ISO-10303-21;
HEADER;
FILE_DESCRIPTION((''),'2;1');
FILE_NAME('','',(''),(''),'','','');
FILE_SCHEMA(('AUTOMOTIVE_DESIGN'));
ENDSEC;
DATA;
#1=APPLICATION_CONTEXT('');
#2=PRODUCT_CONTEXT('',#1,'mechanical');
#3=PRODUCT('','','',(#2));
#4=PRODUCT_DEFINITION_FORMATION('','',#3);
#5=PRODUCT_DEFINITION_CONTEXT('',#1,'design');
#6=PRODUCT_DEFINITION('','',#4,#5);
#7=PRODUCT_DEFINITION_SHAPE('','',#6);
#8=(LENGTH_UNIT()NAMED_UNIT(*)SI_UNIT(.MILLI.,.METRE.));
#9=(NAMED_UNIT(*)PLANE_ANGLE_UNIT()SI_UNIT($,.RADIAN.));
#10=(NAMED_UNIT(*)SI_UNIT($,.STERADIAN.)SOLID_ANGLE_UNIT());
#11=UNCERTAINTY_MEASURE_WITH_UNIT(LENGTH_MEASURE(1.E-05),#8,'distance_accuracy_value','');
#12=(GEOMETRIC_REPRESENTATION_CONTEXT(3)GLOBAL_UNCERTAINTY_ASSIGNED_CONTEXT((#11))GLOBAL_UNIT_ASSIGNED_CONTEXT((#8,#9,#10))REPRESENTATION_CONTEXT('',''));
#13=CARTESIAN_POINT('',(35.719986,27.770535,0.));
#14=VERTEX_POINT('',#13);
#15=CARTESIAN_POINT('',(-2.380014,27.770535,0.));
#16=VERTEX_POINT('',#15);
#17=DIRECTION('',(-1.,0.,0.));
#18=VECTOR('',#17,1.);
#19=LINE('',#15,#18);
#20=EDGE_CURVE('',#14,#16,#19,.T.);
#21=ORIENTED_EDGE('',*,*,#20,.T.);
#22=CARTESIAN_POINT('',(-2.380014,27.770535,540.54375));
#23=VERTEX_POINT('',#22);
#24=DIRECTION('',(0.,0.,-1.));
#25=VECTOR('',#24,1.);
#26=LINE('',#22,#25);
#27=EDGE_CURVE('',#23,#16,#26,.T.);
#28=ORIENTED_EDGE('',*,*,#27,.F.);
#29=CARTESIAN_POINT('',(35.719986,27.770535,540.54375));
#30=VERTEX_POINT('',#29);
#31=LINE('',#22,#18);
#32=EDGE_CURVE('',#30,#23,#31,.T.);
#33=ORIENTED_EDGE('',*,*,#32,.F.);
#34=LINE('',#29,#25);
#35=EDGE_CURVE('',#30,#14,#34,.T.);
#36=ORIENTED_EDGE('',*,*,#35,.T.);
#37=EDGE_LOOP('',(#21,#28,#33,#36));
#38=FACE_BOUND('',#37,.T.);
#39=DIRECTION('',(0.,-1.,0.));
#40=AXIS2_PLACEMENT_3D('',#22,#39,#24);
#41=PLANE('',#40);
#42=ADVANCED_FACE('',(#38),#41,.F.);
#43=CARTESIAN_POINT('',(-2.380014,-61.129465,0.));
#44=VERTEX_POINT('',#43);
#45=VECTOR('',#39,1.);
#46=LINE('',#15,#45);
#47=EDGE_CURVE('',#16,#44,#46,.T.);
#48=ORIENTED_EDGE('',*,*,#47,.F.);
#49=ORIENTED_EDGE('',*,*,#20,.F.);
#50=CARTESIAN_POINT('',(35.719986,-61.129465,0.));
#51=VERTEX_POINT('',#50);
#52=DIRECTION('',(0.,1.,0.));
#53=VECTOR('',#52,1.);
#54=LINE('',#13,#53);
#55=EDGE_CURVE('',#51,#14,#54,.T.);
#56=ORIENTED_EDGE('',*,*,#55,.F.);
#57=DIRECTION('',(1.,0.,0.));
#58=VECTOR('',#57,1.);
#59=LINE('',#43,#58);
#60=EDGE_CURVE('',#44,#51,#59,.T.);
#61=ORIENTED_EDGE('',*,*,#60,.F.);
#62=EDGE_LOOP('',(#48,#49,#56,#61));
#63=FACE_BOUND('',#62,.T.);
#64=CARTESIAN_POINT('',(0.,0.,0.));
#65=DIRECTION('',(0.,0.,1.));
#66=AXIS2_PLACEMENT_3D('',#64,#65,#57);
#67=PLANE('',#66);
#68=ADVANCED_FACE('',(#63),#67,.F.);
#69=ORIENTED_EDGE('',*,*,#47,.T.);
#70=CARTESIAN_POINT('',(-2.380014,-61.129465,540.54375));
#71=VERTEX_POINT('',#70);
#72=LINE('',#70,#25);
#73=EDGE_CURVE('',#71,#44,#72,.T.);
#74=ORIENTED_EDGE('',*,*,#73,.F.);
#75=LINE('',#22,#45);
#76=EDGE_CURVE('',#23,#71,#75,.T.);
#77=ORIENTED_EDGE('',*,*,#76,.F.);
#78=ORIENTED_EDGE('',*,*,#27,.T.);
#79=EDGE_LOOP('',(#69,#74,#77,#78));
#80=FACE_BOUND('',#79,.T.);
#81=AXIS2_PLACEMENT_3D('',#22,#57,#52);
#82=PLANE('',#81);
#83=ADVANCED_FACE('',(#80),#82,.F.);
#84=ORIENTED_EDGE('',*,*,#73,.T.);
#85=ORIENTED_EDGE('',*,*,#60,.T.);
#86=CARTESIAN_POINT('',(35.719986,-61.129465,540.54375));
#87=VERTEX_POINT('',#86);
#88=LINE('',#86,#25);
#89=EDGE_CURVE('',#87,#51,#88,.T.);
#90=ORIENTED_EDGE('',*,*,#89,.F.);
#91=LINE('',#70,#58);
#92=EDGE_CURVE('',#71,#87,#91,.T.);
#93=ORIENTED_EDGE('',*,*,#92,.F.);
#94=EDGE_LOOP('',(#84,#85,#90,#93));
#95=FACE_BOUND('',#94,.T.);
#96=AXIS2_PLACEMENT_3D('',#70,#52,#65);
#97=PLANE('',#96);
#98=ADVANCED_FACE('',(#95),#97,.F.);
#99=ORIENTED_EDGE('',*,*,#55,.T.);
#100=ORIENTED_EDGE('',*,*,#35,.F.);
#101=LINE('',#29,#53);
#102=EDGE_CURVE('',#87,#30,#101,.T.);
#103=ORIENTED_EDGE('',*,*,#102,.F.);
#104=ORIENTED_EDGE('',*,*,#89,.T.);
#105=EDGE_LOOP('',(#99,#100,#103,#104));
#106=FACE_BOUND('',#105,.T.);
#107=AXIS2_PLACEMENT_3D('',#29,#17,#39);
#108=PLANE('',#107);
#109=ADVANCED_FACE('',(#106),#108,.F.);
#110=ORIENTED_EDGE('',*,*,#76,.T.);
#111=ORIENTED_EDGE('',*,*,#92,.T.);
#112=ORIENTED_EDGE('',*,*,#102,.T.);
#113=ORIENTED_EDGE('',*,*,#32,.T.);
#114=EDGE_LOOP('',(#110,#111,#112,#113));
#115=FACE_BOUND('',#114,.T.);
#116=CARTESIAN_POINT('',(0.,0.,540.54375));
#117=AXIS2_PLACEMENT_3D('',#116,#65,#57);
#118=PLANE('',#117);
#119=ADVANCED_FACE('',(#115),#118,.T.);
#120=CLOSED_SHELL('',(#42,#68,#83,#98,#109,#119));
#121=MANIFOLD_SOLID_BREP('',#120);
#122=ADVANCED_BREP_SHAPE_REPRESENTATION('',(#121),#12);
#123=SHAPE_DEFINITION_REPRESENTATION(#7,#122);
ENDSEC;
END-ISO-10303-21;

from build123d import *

# Parameters (mm, degrees)
SKETCH1_W           = 38.1
SKETCH1_H           = 88.9
BOSS_EXTRUDE1_DEPTH = 540.54375


with BuildPart() as part:
    # Sketch1 → Boss-Extrude1 (new body)
    with BuildSketch(Plane.XY):
        with Locations((16.669985729, -16.679464952)):
            Rectangle(SKETCH1_W, SKETCH1_H)
    extrude(amount=BOSS_EXTRUDE1_DEPTH)


solid = part.part
